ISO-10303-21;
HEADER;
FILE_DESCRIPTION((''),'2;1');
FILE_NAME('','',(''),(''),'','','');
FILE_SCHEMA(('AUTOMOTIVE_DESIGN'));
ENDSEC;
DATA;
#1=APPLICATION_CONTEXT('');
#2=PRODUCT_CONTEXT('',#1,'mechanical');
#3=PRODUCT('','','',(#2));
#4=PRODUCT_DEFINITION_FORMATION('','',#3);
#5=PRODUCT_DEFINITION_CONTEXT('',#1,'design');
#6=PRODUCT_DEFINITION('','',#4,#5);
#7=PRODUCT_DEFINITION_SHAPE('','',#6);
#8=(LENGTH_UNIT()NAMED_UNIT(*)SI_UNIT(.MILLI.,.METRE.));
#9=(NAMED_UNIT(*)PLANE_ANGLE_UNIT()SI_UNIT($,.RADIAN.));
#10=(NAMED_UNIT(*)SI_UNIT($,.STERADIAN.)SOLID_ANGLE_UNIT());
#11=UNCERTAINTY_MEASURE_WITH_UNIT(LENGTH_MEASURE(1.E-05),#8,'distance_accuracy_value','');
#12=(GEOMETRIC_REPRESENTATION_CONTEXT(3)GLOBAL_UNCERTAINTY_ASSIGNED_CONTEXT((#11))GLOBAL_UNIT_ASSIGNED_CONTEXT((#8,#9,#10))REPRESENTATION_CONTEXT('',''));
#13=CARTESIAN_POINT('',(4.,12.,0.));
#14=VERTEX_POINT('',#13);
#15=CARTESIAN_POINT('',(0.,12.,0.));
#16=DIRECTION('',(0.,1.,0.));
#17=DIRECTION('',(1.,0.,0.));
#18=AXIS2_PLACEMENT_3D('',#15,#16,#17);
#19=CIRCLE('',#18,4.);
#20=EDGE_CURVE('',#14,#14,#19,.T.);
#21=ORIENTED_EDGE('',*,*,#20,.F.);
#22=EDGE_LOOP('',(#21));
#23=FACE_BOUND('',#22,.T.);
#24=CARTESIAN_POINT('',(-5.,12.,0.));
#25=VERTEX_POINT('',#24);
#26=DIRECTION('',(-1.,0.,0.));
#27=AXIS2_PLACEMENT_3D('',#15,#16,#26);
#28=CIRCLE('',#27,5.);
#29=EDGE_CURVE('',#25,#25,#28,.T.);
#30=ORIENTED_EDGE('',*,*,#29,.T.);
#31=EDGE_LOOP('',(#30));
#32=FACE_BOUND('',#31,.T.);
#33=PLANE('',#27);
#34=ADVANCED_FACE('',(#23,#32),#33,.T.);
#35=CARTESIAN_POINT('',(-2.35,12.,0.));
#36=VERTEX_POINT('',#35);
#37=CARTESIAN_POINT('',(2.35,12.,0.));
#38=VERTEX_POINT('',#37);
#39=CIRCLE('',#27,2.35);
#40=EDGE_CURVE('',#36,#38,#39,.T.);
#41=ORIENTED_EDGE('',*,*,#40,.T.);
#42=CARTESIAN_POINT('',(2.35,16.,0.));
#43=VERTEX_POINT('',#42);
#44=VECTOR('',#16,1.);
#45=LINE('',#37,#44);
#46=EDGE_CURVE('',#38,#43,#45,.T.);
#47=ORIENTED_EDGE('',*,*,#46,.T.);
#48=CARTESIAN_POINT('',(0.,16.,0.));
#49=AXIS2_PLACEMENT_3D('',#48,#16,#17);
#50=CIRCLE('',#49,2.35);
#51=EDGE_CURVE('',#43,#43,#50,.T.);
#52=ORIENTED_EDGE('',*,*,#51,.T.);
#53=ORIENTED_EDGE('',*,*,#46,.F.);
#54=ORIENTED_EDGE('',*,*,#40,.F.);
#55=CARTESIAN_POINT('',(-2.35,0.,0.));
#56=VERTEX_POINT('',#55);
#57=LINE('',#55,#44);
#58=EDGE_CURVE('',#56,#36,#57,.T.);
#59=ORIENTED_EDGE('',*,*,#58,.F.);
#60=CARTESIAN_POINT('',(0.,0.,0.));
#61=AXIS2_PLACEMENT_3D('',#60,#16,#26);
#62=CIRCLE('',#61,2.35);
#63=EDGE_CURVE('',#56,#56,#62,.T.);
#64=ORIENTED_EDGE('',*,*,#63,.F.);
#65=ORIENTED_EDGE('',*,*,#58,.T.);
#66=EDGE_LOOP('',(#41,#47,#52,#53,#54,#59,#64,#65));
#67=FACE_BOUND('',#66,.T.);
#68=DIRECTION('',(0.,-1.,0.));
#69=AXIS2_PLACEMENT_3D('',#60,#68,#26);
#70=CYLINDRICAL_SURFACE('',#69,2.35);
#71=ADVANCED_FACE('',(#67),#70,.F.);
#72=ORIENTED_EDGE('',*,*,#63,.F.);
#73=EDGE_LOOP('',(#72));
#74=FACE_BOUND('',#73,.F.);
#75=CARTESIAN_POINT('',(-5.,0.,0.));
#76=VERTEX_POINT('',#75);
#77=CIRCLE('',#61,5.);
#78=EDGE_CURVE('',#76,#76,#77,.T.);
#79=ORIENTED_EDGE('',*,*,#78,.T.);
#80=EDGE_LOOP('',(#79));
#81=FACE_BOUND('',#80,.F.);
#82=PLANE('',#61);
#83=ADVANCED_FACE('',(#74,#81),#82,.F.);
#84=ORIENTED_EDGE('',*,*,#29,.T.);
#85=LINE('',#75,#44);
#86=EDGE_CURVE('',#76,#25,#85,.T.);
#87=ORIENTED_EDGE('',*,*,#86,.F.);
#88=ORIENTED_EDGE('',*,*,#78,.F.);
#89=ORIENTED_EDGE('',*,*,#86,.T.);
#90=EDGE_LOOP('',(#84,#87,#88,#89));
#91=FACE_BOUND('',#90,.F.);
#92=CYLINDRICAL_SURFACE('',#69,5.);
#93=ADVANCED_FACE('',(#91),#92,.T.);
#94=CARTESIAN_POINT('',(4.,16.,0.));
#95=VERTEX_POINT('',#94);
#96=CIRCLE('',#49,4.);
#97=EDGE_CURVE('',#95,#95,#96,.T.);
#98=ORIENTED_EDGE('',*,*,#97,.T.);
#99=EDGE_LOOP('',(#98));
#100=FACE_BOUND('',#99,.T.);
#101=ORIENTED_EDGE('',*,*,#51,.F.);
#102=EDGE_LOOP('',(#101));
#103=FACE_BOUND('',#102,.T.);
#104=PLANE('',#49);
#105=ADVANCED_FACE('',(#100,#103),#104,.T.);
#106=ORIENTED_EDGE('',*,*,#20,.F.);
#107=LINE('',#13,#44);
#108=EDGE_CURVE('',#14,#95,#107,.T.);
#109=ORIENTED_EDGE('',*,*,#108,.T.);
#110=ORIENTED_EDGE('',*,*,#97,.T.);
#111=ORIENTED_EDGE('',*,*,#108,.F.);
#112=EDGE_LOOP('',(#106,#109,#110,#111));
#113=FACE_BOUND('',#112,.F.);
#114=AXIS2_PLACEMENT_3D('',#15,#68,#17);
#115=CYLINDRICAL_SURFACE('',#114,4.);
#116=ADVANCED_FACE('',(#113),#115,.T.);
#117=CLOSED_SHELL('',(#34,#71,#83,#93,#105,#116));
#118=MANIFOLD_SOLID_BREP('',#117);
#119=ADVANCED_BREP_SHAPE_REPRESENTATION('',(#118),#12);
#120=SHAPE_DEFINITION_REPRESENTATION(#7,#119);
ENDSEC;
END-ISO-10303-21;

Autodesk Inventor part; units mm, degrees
ref_plane "YZ Plane" through (0, 0, 0) normal (1, 0, 0) x (0, 1, 0)
ref_plane "XZ Plane" through (0, 0, 0) normal (0, 1, 0) x (-1, 0, 0)
ref_plane "XY Plane" through (0, 0, 0) normal (0, 0, 1) x (1, 0, 0)
sketch "Sketch1" plane through (0, 0, 0) normal (0, 1, 0) x (-1, 0, 0)
  circle A0 centre (0, 0) radius 2.35
  circle A1 centre (0, 0) radius 5
  dimension "d0" = 4.7
  dimension "d1" = 10
extrude "Extrusion1" add sketch "Sketch1" along normal blind 12
sketch "Sketch2" plane through (0, 12, 0) normal (0, 1, 0) x (1, 0, 0)
  circle A0 centre (0, 0) radius 2.35
  circle A1 centre (0, 0) radius 4
  dimension "d4" = 8
extrude "Extrusion2" add sketch "Sketch2" along normal blind 4
properties part number "TestingPlatform_legs01"
